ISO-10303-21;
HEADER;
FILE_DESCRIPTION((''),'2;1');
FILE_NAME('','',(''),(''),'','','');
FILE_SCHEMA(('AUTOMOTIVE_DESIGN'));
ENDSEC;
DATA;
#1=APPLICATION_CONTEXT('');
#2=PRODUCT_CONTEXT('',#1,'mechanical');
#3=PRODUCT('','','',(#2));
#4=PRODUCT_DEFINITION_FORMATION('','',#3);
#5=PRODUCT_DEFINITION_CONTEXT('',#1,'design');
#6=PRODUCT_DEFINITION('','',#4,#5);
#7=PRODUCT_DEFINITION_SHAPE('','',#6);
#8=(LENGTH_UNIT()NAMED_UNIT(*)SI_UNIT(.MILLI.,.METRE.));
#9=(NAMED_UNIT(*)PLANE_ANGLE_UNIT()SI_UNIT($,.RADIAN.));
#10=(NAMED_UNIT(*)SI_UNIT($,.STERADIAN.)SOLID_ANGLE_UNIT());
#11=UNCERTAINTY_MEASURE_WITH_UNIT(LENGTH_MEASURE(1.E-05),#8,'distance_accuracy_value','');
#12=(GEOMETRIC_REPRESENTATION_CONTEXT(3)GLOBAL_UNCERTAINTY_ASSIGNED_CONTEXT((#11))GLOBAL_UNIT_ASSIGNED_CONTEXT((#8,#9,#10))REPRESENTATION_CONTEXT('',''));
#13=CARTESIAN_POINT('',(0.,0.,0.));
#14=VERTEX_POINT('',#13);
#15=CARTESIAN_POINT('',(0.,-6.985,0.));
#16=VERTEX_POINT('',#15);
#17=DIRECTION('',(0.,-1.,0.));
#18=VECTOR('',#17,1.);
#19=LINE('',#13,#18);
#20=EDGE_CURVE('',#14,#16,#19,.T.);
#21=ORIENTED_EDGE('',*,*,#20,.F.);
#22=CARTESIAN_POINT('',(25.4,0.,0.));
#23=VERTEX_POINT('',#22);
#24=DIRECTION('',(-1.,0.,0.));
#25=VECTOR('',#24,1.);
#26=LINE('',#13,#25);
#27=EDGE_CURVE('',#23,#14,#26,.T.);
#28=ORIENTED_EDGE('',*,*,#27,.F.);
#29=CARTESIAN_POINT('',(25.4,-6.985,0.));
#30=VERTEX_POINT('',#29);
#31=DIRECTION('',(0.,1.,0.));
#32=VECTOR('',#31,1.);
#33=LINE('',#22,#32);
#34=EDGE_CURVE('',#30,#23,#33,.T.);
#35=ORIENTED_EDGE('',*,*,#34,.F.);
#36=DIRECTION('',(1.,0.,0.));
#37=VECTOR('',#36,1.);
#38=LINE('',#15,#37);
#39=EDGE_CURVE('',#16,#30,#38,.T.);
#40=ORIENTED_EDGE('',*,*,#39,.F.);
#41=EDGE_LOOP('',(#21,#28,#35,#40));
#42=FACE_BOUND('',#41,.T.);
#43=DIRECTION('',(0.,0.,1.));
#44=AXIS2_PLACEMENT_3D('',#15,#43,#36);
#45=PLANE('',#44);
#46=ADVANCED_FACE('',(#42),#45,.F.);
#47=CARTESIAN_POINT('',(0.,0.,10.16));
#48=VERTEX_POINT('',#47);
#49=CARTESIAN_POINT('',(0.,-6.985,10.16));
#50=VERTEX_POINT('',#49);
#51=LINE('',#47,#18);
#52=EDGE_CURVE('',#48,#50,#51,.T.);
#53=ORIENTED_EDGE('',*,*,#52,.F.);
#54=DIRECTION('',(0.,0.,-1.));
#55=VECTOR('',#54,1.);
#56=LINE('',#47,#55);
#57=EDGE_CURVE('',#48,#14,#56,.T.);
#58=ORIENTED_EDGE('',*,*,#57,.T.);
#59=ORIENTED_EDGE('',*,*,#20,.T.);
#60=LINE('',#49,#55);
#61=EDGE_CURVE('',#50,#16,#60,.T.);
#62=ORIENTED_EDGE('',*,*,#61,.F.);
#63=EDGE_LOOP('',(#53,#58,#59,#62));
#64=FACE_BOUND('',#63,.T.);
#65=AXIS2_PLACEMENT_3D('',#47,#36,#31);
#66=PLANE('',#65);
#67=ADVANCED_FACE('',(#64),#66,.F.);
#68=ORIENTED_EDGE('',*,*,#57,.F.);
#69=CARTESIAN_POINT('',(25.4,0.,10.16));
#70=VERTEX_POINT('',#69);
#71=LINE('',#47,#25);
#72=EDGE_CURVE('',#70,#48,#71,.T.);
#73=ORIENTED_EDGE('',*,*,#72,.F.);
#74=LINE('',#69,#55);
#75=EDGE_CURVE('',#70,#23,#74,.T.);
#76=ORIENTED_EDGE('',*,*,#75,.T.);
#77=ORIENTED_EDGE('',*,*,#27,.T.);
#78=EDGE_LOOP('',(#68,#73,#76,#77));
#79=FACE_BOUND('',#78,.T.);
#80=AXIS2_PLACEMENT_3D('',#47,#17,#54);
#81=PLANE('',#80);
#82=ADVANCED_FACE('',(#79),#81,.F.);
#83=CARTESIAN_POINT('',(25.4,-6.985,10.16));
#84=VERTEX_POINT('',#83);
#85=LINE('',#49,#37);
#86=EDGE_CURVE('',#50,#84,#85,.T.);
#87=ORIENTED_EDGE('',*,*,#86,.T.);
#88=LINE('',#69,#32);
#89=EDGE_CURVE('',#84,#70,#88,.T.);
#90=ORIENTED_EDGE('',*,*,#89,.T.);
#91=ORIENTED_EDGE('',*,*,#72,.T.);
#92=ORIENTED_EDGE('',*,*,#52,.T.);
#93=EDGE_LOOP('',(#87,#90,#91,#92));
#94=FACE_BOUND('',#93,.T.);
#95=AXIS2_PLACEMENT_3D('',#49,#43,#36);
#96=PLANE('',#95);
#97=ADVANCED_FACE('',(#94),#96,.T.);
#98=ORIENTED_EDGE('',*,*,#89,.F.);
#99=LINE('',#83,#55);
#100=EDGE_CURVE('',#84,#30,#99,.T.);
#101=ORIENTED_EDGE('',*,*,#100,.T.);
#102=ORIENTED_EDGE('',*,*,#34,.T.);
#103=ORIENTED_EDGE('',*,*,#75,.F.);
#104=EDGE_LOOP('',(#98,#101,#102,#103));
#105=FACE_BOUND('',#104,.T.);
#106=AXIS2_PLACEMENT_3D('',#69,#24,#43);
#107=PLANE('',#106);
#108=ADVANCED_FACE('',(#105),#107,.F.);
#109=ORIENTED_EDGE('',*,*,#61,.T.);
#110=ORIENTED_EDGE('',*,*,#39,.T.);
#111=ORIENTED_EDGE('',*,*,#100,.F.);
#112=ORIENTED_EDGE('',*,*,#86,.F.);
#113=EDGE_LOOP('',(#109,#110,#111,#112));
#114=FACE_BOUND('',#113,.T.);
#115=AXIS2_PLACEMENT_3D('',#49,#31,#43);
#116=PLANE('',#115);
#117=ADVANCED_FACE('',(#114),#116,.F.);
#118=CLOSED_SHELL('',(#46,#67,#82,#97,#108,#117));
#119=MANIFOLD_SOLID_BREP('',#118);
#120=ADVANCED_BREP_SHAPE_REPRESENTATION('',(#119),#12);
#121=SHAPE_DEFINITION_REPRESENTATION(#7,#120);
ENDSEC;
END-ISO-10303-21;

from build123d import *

# Parameters (mm, degrees)
SKETCH1_W      = 25.4
SKETCH1_H      = 6.985
EXTRUDE1_DEPTH = 10.16


with BuildPart() as part:
    # Sketch1 → Extrude1 (new body)
    with BuildSketch(Plane.XY):
        with Locations((12.7, -3.4925)):
            Rectangle(SKETCH1_W, SKETCH1_H)
    extrude(amount=EXTRUDE1_DEPTH)


solid = part.part
